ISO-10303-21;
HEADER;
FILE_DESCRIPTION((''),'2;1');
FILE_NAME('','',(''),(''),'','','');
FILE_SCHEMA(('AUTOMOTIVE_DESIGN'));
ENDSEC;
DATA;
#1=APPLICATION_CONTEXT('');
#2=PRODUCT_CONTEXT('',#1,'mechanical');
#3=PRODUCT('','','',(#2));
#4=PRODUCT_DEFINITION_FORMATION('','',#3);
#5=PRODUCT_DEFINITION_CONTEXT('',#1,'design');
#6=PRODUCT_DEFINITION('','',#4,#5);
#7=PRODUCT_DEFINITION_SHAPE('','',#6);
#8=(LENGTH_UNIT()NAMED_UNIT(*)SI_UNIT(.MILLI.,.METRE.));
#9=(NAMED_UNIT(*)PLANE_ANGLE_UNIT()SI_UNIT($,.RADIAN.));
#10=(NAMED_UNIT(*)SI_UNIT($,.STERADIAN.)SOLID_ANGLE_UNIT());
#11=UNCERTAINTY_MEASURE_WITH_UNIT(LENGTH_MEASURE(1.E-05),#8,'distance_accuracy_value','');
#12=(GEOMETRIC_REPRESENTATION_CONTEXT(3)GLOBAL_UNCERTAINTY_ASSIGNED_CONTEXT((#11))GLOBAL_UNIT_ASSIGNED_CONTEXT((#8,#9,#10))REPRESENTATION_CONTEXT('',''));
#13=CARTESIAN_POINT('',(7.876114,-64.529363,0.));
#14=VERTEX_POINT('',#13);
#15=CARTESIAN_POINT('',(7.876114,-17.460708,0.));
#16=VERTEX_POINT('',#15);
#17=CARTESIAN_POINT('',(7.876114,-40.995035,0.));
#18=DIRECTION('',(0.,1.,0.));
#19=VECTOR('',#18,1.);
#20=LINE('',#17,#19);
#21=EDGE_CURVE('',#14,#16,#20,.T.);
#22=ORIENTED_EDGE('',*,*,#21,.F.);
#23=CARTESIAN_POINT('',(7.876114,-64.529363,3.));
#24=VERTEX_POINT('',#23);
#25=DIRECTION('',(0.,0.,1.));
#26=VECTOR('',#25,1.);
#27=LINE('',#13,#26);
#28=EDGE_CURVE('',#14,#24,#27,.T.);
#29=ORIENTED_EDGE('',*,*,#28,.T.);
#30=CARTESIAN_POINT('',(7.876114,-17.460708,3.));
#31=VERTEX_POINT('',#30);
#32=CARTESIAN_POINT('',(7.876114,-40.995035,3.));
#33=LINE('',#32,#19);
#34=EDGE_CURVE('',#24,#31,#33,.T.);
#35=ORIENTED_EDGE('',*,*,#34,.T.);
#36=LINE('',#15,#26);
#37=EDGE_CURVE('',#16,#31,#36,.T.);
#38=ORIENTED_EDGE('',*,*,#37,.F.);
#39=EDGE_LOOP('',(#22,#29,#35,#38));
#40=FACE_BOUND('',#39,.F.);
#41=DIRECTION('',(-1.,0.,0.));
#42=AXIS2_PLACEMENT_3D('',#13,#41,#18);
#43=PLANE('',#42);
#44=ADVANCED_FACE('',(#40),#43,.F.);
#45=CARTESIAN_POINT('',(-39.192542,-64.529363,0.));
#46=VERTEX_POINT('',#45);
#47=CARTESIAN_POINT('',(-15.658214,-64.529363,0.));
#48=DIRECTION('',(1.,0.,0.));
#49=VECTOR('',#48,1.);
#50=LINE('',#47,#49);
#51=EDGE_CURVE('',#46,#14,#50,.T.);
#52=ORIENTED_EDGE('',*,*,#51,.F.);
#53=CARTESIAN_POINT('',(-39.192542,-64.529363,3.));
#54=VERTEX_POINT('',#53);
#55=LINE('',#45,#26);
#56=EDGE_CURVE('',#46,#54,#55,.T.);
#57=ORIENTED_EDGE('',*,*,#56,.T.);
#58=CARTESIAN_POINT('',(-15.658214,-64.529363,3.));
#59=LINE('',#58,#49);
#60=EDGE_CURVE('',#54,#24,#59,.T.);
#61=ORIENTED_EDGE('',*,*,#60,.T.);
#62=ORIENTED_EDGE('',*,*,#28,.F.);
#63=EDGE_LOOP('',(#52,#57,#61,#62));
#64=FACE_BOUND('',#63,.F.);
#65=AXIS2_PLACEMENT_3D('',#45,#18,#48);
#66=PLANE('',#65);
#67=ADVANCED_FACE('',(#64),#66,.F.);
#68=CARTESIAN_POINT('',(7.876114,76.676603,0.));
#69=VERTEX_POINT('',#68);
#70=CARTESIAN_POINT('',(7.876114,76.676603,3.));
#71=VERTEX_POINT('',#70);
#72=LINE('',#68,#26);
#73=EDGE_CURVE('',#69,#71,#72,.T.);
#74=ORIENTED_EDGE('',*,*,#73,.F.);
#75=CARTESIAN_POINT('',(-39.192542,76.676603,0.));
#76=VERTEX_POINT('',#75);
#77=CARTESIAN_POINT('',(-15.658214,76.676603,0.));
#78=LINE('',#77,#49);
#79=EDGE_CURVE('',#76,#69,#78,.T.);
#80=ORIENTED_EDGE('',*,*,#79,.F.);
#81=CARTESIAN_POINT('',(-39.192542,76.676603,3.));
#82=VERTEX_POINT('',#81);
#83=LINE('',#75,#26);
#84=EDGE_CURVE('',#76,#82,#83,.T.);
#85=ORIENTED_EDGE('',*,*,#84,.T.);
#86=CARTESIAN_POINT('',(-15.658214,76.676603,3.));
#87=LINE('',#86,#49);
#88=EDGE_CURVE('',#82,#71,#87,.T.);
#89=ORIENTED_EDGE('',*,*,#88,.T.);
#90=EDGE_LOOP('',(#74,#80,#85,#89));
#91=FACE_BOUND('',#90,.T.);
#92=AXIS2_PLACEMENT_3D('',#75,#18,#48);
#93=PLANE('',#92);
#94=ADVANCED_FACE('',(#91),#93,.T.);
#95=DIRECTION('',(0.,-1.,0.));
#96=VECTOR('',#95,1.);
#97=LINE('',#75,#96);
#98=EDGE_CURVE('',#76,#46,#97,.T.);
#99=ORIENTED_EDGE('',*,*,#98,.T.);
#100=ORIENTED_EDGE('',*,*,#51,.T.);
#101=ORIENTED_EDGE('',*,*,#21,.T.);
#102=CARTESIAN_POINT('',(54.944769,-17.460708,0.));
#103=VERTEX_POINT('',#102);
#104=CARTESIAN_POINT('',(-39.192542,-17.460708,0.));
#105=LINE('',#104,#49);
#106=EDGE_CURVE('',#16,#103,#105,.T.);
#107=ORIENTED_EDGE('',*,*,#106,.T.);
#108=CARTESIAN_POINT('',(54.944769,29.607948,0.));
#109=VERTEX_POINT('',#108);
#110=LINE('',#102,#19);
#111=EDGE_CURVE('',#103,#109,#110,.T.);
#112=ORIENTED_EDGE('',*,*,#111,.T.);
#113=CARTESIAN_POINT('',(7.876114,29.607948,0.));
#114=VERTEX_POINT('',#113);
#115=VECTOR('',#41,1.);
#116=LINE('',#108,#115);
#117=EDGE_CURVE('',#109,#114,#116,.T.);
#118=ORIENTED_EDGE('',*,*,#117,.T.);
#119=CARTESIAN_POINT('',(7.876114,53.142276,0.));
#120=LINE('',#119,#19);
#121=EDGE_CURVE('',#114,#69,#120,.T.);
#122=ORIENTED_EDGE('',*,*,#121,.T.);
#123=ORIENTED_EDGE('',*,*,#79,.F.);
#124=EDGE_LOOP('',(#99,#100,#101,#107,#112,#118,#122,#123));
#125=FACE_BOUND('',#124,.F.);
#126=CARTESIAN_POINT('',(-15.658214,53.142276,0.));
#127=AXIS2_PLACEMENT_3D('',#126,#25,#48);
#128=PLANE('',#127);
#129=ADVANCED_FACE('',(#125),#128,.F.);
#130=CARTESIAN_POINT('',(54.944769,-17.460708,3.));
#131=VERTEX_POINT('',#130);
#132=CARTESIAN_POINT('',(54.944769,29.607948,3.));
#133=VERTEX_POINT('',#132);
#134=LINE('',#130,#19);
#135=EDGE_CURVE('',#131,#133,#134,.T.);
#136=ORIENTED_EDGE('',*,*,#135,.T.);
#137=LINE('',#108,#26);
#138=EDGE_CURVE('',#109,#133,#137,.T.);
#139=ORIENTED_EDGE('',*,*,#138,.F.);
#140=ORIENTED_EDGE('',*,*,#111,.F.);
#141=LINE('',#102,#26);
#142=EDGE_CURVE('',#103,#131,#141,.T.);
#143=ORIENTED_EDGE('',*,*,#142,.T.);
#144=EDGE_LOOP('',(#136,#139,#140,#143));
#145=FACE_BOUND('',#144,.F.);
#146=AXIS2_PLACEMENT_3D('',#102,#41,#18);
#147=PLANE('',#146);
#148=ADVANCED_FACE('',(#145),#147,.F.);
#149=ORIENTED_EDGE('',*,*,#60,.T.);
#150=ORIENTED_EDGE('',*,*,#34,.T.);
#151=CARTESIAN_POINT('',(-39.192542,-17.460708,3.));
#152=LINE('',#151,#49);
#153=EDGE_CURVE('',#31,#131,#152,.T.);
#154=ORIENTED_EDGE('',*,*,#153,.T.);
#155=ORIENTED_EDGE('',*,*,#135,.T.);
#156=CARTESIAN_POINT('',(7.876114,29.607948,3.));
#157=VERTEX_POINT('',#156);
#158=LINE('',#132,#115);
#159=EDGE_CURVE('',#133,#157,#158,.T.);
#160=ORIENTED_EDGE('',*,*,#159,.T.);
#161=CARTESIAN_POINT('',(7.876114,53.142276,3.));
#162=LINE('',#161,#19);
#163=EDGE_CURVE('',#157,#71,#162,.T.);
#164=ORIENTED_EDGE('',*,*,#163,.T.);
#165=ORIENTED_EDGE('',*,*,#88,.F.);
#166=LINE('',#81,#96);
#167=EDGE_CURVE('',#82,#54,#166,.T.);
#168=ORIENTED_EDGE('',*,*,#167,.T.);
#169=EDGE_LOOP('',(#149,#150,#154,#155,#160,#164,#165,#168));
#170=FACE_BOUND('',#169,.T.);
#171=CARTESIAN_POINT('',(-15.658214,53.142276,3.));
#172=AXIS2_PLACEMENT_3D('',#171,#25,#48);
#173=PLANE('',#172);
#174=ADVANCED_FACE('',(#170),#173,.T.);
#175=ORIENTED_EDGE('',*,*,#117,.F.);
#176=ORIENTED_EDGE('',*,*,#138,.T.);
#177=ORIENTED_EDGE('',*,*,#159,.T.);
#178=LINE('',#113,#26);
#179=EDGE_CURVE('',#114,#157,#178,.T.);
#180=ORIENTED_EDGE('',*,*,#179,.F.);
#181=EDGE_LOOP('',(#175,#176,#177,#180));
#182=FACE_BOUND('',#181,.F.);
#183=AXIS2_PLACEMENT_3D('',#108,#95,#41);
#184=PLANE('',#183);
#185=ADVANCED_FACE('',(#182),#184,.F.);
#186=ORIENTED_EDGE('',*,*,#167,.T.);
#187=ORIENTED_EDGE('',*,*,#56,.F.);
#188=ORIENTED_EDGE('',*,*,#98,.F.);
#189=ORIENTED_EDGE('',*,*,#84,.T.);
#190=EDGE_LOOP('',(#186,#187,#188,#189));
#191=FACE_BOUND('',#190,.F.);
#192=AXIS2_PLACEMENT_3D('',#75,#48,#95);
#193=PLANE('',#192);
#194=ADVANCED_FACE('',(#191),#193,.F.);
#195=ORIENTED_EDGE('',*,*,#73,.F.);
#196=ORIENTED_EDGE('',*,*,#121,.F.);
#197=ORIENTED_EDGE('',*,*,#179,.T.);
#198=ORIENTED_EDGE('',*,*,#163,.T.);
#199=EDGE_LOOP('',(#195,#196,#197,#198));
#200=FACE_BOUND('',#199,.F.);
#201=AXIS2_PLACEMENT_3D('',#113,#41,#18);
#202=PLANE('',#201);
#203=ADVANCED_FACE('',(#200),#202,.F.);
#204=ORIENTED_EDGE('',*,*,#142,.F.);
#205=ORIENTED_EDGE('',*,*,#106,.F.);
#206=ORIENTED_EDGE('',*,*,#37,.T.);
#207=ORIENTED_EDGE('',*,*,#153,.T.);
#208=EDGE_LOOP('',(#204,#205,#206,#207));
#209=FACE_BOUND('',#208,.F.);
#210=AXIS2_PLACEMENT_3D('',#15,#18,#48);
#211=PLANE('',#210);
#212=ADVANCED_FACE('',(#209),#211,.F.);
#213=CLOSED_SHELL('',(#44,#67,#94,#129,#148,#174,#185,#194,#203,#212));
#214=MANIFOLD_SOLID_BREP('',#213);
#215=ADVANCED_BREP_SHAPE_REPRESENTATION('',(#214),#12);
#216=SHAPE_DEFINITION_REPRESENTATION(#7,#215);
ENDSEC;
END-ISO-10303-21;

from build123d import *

# Parameters (mm, degrees)
F0_W     = 47.0686554909
F0_H     = 47.0686554909
F1_DEPTH = 3


with BuildPart() as f1:
    # F0 (on Top) → F1 (new body)
    with BuildSketch(Plane.XY):
        with Locations((-15.658213757, 53.1422756612)):
            Rectangle(F0_W, F0_H)
        Polygon((7.8761139885, 29.6079479158), (-39.1925415024, 29.6079479158), (-39.1925415024, -17.4607075751), (7.8761139885, -17.4607075751), (54.9447694793, -17.4607075751), (54.9447694793, 29.6079479158), align=None)
        with Locations((-15.658213757, -40.9950353205)):
            Rectangle(F0_W, F0_H)
    extrude(amount=F1_DEPTH)


solid = f1.part
